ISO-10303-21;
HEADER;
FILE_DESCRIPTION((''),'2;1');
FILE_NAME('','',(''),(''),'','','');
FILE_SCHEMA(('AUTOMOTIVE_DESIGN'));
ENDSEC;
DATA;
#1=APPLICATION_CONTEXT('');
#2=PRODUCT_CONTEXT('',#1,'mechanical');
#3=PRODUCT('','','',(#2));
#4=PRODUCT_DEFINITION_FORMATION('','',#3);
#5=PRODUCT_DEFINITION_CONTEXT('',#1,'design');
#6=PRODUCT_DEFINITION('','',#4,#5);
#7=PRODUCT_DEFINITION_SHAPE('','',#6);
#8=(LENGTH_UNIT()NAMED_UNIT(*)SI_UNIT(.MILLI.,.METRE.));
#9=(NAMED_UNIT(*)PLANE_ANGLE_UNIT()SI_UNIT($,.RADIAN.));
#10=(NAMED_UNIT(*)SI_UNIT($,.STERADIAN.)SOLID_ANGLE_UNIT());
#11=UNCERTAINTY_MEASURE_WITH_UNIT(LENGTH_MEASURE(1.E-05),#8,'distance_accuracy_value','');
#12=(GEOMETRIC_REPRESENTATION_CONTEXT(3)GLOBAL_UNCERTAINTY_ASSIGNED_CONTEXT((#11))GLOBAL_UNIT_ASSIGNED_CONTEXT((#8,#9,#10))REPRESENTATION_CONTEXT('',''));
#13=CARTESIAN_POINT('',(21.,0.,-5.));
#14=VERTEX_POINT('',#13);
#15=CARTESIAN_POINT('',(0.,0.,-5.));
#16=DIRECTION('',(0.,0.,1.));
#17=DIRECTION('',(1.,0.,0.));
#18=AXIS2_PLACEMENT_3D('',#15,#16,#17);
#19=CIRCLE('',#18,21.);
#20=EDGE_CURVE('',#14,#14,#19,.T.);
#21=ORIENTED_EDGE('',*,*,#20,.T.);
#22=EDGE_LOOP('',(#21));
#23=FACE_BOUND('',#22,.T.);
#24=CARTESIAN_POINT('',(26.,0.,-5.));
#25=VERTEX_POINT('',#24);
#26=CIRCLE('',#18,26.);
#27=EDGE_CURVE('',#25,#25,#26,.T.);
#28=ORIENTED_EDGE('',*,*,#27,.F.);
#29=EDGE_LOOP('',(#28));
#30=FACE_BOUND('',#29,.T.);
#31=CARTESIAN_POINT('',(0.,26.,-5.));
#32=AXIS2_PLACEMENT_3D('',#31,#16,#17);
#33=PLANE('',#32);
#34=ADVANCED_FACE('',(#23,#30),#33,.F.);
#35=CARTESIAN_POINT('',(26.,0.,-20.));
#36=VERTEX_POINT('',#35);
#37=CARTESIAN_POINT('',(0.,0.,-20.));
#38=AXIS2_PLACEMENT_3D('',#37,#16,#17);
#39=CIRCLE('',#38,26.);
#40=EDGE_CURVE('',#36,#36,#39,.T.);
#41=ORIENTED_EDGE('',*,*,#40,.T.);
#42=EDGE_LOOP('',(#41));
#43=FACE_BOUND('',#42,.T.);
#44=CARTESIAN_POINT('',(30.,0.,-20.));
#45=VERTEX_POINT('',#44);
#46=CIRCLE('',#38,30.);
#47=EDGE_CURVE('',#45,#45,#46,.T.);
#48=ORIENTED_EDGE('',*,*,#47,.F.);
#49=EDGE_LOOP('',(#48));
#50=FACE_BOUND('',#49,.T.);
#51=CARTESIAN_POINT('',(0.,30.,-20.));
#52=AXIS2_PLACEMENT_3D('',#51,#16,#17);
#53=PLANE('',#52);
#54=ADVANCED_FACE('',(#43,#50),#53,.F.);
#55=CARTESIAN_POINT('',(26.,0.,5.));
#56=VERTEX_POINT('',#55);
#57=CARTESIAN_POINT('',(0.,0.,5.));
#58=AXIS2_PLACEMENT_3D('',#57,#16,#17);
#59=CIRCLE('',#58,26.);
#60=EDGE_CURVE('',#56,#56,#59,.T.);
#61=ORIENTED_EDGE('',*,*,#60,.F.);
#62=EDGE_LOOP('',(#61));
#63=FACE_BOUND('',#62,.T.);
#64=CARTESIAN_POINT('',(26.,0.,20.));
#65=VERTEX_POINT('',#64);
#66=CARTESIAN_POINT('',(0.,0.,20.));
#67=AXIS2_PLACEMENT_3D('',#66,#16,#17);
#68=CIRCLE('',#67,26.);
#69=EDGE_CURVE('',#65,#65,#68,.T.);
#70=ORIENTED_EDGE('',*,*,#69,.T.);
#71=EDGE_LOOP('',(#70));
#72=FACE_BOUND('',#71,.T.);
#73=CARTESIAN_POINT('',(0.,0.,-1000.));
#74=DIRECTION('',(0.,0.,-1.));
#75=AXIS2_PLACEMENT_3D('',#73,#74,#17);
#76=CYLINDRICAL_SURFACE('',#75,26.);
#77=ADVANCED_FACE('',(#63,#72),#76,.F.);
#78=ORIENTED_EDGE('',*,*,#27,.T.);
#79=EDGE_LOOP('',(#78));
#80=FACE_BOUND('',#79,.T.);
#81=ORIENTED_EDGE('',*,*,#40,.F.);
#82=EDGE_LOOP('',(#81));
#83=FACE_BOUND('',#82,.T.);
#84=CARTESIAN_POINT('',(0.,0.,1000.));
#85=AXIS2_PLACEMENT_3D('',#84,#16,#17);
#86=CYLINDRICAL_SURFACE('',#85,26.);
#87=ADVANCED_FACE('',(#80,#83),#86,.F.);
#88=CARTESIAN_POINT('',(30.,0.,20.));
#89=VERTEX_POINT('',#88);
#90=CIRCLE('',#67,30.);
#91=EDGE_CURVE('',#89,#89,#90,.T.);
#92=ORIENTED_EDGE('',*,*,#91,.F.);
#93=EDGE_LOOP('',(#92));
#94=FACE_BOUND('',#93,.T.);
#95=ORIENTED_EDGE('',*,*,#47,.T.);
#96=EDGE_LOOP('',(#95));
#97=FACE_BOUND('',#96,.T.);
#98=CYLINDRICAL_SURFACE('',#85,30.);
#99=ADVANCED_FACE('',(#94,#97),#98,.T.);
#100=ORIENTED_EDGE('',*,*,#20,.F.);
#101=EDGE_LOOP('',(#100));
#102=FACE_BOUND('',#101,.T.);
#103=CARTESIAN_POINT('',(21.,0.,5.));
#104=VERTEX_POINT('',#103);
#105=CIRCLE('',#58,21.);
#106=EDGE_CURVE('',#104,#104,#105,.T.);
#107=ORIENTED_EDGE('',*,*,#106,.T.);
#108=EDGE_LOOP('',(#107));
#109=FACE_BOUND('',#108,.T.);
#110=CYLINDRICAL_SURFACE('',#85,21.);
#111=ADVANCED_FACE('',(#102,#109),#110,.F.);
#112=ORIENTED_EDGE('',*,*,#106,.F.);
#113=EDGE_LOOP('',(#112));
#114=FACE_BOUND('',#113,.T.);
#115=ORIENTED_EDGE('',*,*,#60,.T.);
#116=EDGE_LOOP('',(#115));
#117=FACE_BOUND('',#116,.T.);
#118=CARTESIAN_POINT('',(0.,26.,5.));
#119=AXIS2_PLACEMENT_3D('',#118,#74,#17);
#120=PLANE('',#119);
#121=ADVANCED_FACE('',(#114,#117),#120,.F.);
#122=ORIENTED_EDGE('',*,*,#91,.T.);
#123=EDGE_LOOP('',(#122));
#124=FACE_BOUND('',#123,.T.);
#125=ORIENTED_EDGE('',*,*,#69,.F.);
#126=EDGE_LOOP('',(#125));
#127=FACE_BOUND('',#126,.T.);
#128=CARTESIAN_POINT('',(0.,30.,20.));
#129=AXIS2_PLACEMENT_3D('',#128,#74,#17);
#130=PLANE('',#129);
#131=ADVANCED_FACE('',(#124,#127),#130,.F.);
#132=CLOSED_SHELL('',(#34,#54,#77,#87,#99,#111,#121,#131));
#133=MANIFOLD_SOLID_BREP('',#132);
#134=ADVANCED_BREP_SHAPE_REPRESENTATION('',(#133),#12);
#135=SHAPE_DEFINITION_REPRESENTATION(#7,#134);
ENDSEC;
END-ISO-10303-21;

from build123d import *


with BuildPart() as part:
    # Эскиз1 → Повернуть1 (revolve)
    with BuildSketch(Plane(origin=(0, 0, 0), x_dir=(0, 0, -1), z_dir=(1, 0, 0))):
        Polygon((20, 30), (20, 26), (5, 26), (5, 21), (0, 21), (0, 30), align=None)
    revolve(axis=Axis((0, 0, 1000), (0, 0, -1)))

    # Зеркальное отражение1: part across plane


with BuildPart() as part_1:
    add(part.part)
    add(part.part.mirror(Plane(origin=(0, 21, 0), x_dir=(1, 0, 0), z_dir=(0, 0, -1))))


solid = part_1.part
